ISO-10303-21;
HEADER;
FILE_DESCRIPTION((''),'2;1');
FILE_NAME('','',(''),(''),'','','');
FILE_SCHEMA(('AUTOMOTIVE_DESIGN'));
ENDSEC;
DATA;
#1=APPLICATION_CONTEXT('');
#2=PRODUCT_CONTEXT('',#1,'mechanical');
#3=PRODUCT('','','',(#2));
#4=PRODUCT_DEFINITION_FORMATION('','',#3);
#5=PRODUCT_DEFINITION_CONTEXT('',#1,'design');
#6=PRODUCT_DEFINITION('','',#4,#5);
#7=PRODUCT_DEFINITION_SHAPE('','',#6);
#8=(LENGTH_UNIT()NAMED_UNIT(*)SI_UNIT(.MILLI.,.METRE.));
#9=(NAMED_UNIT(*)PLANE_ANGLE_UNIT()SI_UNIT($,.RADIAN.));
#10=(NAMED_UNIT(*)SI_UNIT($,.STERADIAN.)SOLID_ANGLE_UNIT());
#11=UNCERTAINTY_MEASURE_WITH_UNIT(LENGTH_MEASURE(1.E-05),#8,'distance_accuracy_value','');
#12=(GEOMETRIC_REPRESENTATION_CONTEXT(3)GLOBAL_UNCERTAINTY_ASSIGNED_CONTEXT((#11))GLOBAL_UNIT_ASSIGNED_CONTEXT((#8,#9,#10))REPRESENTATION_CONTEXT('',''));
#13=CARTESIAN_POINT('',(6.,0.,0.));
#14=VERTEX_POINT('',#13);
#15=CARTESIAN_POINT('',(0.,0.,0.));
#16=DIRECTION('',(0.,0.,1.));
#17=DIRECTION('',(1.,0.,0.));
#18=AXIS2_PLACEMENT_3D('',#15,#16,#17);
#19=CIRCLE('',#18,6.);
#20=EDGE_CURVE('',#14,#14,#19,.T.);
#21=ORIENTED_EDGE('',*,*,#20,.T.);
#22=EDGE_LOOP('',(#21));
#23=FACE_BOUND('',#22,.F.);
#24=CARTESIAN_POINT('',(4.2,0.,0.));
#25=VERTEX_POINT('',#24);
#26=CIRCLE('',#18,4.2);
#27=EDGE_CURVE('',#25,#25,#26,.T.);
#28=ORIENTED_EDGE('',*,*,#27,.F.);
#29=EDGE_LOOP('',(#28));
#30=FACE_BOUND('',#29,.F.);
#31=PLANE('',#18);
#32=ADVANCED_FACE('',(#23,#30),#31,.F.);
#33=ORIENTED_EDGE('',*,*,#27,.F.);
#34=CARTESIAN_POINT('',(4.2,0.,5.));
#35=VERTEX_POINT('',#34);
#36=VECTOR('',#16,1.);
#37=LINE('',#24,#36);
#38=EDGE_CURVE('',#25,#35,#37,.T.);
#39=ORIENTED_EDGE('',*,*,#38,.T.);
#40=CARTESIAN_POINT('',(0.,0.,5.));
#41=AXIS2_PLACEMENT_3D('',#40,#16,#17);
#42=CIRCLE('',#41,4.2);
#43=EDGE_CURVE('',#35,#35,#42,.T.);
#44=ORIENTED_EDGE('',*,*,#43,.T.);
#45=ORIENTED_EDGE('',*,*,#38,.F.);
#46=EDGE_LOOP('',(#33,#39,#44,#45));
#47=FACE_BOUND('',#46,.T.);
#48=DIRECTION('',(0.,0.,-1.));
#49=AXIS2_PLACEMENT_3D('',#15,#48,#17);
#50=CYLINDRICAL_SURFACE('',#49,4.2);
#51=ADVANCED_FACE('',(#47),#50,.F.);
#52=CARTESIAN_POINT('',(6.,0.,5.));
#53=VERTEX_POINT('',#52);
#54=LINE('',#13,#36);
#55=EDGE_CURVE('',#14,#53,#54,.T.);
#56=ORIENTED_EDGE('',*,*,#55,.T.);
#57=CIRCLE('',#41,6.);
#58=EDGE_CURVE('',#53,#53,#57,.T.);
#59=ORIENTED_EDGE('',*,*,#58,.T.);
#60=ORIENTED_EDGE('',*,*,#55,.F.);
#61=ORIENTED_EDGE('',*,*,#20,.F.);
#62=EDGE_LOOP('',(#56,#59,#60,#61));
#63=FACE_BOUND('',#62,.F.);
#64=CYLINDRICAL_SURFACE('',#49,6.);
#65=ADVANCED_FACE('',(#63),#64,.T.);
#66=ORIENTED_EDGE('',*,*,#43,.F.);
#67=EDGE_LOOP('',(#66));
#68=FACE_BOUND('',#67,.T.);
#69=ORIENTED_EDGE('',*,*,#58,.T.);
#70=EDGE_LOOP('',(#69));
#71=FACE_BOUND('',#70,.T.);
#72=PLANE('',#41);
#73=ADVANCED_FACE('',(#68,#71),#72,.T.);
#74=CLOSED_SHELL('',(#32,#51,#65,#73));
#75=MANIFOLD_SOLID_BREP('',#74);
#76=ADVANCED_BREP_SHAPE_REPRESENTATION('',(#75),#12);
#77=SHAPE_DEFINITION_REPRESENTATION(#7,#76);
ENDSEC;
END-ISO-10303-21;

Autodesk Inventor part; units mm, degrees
ref_plane "YZ Plane" through (0, 0, 0) normal (1, 0, 0) x (0, 1, 0)
ref_plane "XZ Plane" through (0, 0, 0) normal (0, 1, 0) x (-1, 0, 0)
ref_plane "XY Plane" through (0, 0, 0) normal (0, 0, 1) x (1, 0, 0)
sketch "Sketch1" plane through (0, 0, 0) normal (0, 0, 1) x (1, 0, 0)
  circle A0 centre (0, 0) radius 4.2
  circle A1 centre (0, 0) radius 6
  dimension "d0" = 8.4
  dimension "d1" = 12
extrude "Extrusion1" add sketch "Sketch1" along normal blind 5
properties part number "OtherSpacer"
